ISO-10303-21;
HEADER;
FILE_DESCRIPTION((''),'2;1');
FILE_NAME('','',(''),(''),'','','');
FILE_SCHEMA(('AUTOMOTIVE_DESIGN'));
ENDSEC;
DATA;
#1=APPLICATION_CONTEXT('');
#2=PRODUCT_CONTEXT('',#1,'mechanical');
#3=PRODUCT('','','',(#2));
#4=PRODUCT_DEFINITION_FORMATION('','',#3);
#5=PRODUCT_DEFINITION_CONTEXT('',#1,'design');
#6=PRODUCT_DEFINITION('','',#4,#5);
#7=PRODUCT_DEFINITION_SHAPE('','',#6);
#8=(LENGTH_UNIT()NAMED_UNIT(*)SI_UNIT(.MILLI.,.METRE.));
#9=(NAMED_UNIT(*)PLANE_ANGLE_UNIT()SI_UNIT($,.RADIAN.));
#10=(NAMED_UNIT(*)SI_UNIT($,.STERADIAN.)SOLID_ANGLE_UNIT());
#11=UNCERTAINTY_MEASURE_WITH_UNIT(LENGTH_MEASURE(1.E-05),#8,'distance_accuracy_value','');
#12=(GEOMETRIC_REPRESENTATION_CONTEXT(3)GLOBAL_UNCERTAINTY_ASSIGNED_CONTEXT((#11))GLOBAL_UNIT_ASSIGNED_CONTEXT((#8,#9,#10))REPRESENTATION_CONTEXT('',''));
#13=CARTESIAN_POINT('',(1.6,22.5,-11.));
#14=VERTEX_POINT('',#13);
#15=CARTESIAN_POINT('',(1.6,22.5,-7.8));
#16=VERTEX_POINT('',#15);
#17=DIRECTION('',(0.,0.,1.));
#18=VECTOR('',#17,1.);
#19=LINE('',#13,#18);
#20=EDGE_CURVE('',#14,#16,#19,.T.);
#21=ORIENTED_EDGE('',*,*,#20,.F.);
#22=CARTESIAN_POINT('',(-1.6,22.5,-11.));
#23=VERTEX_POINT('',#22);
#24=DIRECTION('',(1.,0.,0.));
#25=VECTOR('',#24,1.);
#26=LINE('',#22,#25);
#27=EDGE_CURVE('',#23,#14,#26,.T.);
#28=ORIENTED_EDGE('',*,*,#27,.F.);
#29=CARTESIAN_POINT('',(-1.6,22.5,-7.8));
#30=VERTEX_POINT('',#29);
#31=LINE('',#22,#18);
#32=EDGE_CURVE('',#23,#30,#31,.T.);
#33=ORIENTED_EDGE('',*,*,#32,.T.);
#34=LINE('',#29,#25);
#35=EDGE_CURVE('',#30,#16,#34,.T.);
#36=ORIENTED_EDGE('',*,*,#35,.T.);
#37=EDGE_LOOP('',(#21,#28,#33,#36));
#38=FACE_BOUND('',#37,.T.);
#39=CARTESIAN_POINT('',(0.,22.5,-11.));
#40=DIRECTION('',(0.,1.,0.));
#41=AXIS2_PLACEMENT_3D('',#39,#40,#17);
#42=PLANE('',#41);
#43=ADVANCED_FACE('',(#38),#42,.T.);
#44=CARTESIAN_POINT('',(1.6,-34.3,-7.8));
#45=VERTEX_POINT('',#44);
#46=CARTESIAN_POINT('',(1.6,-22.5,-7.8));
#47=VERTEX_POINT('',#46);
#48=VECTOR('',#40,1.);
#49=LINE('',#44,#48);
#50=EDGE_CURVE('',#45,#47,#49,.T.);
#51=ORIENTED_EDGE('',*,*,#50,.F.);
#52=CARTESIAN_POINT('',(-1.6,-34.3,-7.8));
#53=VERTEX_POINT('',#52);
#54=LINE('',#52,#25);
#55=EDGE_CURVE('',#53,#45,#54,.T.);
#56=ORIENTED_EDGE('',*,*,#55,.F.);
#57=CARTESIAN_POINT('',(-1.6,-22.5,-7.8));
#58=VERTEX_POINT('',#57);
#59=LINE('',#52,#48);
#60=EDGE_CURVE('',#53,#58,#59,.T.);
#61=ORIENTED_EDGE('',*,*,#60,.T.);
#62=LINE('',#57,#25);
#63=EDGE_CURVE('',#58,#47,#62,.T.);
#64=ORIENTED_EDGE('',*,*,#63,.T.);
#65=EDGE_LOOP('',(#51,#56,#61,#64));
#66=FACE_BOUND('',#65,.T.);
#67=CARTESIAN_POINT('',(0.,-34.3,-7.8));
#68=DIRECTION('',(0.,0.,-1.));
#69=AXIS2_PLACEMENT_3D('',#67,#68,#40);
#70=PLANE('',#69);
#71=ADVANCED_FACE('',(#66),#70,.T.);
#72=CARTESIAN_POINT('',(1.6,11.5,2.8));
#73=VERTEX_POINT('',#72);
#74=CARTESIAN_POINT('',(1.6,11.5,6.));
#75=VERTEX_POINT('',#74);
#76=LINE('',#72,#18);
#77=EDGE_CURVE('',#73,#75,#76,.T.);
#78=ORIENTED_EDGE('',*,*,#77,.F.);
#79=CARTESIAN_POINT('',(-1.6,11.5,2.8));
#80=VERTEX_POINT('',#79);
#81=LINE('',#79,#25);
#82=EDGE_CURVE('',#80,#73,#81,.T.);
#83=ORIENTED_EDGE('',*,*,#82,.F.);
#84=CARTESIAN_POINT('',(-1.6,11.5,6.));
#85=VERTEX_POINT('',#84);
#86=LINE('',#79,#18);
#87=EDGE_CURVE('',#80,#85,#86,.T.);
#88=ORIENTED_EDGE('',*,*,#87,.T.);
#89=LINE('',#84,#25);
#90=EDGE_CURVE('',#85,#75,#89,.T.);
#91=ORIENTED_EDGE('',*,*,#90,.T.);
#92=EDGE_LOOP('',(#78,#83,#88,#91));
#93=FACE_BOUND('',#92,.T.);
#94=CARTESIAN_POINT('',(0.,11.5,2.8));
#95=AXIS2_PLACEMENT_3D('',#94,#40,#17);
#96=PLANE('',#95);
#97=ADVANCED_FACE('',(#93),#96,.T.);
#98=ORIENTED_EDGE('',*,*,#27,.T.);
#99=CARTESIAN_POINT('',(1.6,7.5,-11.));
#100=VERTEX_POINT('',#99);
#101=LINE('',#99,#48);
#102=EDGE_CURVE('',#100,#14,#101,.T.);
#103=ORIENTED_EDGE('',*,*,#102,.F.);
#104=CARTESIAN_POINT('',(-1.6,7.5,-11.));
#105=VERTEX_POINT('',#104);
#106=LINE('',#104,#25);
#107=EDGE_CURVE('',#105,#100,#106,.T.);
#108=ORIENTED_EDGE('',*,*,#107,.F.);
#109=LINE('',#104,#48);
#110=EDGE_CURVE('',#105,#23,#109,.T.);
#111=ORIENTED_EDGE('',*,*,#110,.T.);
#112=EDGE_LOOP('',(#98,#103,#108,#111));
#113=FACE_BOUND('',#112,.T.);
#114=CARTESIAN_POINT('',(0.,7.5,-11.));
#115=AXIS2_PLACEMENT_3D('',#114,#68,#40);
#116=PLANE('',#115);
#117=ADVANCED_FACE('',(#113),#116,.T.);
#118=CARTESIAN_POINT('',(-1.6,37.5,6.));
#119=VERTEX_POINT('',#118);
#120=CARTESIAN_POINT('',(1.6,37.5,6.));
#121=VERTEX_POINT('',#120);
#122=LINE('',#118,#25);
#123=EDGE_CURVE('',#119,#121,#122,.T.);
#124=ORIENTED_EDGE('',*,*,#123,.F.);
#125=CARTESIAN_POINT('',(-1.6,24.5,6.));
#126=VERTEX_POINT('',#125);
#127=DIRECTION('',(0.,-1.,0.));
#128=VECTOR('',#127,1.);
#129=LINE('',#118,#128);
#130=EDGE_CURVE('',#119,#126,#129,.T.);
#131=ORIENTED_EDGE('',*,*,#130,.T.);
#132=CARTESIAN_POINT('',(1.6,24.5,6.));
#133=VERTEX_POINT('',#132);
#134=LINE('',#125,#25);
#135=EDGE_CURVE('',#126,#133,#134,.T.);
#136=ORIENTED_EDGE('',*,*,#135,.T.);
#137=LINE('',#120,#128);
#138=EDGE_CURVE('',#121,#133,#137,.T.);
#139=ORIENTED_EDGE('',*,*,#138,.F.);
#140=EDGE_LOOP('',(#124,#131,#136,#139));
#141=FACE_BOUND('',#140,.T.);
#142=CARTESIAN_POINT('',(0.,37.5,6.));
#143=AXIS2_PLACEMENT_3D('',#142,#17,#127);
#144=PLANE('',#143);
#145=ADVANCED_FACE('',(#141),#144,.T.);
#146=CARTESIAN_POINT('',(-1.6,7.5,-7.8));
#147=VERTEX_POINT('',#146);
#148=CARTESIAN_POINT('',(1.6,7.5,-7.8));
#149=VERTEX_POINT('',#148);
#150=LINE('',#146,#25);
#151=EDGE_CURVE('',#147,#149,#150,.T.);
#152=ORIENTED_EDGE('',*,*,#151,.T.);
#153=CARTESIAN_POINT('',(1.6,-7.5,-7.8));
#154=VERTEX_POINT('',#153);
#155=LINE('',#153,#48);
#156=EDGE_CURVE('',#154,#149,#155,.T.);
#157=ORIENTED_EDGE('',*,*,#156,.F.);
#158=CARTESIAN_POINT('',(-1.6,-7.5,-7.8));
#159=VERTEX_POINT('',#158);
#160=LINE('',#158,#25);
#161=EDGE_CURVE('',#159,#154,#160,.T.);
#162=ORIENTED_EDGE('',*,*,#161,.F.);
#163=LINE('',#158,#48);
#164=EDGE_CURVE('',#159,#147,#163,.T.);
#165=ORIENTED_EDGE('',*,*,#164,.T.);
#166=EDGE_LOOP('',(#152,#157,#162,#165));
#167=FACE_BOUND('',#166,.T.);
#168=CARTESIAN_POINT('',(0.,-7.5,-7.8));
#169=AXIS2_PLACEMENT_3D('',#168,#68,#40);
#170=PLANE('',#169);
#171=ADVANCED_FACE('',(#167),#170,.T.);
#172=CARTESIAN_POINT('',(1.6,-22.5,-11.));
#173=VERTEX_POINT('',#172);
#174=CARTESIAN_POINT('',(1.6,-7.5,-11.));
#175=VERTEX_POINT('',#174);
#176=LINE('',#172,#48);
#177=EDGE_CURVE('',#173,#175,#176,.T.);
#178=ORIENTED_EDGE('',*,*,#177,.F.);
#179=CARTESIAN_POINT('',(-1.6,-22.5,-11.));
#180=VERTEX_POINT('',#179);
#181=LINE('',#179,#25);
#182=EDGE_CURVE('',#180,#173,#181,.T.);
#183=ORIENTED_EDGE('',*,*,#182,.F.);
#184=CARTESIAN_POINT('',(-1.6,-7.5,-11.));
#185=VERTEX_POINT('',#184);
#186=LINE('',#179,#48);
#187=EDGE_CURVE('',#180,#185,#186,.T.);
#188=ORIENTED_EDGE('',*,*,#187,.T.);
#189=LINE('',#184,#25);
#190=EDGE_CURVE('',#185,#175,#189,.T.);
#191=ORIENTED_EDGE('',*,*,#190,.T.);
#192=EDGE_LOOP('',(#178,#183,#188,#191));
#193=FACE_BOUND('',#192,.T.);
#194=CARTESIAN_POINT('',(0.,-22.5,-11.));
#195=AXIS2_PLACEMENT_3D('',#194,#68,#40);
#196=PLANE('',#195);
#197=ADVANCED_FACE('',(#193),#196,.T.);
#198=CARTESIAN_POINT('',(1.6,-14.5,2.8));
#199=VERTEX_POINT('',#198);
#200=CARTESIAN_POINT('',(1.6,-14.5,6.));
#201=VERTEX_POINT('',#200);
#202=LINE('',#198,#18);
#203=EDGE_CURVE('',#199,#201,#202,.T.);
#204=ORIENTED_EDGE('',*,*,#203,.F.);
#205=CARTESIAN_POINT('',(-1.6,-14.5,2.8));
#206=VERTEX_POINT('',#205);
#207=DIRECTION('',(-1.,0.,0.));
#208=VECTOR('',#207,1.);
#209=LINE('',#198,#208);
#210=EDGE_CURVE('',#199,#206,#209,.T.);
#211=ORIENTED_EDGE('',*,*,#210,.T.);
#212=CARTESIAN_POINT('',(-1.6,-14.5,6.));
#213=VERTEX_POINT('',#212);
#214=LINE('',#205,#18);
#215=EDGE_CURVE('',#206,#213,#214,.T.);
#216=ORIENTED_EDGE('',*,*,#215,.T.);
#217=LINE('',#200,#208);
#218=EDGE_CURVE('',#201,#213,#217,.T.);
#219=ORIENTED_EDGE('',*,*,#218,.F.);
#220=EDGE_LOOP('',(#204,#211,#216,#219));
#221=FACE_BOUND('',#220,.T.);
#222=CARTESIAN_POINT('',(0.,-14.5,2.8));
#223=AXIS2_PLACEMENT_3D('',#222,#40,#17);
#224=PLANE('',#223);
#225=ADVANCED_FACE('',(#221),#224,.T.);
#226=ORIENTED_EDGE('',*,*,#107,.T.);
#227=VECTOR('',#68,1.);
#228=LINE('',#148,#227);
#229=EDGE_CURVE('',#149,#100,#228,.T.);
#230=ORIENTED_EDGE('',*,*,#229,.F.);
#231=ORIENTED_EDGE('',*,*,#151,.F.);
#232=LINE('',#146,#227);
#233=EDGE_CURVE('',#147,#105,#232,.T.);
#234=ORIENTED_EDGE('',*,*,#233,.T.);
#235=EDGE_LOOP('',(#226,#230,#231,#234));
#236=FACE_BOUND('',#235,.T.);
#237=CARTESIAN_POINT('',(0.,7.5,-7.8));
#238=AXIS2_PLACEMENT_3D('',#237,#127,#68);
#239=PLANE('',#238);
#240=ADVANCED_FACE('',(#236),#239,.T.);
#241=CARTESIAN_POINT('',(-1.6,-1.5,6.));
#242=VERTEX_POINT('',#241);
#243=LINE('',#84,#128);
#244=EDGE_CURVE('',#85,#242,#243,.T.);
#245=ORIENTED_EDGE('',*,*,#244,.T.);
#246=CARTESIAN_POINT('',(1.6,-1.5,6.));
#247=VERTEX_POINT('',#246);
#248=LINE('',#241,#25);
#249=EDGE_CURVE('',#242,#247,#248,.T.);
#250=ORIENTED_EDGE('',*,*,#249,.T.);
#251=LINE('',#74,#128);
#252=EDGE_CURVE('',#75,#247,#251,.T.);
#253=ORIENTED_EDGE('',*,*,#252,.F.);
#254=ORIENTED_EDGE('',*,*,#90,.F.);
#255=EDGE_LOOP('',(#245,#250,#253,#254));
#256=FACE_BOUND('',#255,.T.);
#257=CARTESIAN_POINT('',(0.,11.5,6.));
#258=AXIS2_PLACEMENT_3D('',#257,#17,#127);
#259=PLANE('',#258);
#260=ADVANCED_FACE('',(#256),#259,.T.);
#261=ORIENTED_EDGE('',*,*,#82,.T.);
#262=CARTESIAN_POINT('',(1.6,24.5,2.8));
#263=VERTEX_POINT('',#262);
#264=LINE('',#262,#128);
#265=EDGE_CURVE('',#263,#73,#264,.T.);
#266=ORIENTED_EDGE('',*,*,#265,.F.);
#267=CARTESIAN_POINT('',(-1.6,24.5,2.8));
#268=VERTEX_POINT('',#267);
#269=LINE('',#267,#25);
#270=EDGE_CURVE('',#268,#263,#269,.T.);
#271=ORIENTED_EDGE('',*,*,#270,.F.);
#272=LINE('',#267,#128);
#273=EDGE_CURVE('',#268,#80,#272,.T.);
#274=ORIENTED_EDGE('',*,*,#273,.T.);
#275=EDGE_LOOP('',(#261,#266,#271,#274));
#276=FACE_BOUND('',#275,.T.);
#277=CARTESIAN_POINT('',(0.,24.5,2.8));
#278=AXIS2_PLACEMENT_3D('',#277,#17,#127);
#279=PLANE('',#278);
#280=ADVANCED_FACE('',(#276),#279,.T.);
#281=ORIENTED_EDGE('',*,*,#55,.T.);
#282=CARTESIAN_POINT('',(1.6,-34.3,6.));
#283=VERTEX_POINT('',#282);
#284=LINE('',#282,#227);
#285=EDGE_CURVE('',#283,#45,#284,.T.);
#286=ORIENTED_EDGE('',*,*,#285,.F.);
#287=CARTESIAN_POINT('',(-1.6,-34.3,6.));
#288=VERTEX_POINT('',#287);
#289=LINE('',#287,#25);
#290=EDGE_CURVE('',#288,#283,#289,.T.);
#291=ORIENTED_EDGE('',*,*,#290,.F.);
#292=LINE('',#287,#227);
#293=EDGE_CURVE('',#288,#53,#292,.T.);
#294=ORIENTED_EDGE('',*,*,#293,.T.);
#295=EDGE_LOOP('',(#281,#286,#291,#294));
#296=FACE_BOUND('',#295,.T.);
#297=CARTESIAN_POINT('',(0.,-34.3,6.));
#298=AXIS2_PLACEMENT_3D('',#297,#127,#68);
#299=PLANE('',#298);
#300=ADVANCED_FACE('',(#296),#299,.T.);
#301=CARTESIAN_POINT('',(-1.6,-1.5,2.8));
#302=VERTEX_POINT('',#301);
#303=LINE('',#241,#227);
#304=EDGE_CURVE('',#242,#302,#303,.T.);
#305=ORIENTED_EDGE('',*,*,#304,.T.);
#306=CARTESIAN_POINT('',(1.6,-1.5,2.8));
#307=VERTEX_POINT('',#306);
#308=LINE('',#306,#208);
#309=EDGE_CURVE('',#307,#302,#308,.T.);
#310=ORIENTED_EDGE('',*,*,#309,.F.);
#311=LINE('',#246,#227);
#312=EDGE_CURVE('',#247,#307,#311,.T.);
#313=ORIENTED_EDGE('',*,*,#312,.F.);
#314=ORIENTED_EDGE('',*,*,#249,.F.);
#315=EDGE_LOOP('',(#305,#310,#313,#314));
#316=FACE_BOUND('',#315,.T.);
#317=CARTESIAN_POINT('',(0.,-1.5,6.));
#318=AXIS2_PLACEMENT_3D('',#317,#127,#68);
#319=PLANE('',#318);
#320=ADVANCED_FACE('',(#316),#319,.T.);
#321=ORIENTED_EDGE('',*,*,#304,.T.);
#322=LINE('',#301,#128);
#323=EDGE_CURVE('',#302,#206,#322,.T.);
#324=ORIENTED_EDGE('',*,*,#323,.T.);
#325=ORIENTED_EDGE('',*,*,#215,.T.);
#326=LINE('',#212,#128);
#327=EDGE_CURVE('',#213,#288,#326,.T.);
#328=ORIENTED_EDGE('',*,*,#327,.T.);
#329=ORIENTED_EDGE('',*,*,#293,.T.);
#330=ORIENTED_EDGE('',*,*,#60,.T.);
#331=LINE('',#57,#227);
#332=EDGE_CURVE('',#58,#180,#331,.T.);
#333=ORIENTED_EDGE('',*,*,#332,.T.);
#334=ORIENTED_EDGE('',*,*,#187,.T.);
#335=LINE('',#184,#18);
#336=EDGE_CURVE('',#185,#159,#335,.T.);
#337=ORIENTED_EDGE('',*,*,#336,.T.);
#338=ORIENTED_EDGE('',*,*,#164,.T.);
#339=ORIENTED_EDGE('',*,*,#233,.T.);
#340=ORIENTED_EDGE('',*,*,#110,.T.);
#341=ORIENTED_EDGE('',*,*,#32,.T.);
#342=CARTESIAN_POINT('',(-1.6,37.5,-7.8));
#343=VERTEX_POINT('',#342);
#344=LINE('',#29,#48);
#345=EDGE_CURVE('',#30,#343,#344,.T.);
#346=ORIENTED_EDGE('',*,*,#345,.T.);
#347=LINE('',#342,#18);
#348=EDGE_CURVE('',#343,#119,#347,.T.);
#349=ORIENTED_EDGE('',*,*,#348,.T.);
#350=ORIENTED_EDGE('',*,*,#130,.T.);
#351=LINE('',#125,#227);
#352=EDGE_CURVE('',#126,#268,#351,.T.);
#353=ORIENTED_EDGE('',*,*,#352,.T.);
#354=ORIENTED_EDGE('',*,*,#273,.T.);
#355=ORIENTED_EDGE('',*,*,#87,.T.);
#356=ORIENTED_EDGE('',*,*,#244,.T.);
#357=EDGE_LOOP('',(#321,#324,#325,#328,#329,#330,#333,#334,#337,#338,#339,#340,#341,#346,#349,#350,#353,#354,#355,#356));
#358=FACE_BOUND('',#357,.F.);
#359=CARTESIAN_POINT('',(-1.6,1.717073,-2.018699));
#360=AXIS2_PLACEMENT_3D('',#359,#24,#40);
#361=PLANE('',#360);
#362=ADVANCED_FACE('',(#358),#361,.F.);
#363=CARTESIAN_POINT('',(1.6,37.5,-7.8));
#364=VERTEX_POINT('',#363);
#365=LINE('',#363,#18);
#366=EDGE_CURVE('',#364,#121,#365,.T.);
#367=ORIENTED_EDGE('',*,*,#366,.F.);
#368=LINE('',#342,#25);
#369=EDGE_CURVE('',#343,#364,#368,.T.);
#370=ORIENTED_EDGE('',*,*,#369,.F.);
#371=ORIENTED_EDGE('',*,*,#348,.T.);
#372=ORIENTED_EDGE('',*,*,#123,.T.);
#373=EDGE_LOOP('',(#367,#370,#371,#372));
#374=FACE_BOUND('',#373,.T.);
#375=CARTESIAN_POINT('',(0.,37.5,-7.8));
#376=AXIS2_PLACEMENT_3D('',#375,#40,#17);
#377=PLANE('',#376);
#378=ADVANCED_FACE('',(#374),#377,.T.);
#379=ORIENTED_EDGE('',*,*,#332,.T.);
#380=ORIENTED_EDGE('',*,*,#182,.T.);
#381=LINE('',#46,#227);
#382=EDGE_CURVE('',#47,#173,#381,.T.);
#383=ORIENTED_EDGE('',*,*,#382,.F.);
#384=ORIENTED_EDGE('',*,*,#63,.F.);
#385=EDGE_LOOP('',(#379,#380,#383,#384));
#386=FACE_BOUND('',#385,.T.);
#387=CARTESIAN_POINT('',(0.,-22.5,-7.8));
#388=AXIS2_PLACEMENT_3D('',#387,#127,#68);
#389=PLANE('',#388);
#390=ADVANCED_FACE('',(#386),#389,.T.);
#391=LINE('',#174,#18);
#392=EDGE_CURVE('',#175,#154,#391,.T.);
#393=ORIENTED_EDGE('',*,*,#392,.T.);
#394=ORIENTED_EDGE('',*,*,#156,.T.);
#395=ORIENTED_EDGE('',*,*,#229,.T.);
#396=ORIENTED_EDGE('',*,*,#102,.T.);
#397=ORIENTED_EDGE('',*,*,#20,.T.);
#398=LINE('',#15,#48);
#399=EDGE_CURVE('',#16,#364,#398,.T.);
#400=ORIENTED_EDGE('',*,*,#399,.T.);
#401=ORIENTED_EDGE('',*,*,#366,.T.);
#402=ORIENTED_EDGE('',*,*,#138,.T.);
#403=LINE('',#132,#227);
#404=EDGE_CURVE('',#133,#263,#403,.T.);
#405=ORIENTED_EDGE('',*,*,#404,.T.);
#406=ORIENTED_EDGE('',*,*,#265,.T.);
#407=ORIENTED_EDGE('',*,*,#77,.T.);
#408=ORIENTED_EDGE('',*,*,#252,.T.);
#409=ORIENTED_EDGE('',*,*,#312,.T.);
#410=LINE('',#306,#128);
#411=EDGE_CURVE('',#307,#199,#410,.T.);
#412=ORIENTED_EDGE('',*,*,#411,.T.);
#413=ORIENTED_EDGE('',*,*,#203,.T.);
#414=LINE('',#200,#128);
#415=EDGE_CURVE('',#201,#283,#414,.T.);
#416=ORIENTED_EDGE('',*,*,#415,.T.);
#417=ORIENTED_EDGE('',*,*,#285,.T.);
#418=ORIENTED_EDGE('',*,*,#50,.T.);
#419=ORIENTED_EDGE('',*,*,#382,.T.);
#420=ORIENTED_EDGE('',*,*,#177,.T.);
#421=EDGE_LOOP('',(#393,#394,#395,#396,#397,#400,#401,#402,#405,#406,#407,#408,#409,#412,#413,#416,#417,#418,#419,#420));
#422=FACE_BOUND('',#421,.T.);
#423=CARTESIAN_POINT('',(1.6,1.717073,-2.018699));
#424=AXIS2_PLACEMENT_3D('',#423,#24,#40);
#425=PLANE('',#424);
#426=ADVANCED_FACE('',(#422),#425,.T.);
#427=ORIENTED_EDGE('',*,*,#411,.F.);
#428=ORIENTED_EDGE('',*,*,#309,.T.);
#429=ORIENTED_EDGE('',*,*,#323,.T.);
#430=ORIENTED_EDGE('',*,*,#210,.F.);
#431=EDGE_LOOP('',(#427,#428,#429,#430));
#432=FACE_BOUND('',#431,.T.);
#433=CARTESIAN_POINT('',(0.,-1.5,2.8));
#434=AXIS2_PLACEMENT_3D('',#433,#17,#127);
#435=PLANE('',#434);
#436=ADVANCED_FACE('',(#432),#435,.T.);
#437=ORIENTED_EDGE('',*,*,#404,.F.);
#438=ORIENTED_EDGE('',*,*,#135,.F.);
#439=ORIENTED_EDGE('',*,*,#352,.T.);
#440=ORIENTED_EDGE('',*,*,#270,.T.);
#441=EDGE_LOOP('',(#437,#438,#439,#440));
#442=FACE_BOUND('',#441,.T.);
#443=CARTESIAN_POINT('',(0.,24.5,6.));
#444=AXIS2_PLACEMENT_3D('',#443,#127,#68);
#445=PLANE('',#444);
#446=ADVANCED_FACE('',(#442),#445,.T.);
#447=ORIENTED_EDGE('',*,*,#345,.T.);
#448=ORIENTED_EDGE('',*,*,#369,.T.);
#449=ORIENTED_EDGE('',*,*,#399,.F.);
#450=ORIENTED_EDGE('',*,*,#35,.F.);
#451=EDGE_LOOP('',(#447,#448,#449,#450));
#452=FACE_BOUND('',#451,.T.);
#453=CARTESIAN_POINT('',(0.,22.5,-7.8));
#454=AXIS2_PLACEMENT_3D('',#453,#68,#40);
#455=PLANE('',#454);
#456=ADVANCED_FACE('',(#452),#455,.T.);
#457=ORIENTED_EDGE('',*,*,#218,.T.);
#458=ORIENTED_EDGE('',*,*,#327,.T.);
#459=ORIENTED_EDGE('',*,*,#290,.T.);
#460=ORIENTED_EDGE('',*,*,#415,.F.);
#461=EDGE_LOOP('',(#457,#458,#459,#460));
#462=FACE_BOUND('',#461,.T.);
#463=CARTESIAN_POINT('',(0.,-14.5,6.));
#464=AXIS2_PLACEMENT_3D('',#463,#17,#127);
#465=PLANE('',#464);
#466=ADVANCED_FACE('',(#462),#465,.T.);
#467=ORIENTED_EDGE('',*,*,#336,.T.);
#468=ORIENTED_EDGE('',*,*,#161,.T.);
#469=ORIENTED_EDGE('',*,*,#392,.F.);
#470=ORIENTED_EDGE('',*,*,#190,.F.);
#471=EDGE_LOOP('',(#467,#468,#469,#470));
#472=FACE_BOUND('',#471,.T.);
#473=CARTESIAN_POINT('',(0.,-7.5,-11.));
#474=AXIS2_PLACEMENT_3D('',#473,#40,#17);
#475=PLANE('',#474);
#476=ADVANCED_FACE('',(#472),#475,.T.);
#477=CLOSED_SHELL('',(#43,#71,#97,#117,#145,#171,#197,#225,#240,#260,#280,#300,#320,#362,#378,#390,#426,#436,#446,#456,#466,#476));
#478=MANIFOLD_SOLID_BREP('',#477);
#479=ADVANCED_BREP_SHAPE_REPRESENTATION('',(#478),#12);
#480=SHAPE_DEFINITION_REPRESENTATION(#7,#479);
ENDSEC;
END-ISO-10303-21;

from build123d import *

# Parameters (mm, degrees)
F1_DEPTH = 1.6


with BuildPart() as f1:
    # F0 (on Right) → F1 (new body, symmetric)
    with BuildSketch(Plane.YZ):
        Polygon((-14.5, 6), (-34.3, 6), (-34.3, -0.9), (-34.3, -5.9), (-34.3, -7.8), (-22.5, -7.8), (-22.5, -11), (-7.5, -11), (-7.5, -7.8), (7.5, -7.8), (7.5, -11), (22.5, -11), (22.5, -7.8), (37.5, -7.8), (37.5, -2.8), (37.5, 6), (24.5, 6), (24.5, 2.8), (11.5, 2.8), (11.5, 6), (6.5, 6), (3.5, 6), (-1.5, 6), (-1.5, 2.8), (-14.5, 2.8), align=None)
    extrude(amount=F1_DEPTH, both=True)


solid = f1.part
